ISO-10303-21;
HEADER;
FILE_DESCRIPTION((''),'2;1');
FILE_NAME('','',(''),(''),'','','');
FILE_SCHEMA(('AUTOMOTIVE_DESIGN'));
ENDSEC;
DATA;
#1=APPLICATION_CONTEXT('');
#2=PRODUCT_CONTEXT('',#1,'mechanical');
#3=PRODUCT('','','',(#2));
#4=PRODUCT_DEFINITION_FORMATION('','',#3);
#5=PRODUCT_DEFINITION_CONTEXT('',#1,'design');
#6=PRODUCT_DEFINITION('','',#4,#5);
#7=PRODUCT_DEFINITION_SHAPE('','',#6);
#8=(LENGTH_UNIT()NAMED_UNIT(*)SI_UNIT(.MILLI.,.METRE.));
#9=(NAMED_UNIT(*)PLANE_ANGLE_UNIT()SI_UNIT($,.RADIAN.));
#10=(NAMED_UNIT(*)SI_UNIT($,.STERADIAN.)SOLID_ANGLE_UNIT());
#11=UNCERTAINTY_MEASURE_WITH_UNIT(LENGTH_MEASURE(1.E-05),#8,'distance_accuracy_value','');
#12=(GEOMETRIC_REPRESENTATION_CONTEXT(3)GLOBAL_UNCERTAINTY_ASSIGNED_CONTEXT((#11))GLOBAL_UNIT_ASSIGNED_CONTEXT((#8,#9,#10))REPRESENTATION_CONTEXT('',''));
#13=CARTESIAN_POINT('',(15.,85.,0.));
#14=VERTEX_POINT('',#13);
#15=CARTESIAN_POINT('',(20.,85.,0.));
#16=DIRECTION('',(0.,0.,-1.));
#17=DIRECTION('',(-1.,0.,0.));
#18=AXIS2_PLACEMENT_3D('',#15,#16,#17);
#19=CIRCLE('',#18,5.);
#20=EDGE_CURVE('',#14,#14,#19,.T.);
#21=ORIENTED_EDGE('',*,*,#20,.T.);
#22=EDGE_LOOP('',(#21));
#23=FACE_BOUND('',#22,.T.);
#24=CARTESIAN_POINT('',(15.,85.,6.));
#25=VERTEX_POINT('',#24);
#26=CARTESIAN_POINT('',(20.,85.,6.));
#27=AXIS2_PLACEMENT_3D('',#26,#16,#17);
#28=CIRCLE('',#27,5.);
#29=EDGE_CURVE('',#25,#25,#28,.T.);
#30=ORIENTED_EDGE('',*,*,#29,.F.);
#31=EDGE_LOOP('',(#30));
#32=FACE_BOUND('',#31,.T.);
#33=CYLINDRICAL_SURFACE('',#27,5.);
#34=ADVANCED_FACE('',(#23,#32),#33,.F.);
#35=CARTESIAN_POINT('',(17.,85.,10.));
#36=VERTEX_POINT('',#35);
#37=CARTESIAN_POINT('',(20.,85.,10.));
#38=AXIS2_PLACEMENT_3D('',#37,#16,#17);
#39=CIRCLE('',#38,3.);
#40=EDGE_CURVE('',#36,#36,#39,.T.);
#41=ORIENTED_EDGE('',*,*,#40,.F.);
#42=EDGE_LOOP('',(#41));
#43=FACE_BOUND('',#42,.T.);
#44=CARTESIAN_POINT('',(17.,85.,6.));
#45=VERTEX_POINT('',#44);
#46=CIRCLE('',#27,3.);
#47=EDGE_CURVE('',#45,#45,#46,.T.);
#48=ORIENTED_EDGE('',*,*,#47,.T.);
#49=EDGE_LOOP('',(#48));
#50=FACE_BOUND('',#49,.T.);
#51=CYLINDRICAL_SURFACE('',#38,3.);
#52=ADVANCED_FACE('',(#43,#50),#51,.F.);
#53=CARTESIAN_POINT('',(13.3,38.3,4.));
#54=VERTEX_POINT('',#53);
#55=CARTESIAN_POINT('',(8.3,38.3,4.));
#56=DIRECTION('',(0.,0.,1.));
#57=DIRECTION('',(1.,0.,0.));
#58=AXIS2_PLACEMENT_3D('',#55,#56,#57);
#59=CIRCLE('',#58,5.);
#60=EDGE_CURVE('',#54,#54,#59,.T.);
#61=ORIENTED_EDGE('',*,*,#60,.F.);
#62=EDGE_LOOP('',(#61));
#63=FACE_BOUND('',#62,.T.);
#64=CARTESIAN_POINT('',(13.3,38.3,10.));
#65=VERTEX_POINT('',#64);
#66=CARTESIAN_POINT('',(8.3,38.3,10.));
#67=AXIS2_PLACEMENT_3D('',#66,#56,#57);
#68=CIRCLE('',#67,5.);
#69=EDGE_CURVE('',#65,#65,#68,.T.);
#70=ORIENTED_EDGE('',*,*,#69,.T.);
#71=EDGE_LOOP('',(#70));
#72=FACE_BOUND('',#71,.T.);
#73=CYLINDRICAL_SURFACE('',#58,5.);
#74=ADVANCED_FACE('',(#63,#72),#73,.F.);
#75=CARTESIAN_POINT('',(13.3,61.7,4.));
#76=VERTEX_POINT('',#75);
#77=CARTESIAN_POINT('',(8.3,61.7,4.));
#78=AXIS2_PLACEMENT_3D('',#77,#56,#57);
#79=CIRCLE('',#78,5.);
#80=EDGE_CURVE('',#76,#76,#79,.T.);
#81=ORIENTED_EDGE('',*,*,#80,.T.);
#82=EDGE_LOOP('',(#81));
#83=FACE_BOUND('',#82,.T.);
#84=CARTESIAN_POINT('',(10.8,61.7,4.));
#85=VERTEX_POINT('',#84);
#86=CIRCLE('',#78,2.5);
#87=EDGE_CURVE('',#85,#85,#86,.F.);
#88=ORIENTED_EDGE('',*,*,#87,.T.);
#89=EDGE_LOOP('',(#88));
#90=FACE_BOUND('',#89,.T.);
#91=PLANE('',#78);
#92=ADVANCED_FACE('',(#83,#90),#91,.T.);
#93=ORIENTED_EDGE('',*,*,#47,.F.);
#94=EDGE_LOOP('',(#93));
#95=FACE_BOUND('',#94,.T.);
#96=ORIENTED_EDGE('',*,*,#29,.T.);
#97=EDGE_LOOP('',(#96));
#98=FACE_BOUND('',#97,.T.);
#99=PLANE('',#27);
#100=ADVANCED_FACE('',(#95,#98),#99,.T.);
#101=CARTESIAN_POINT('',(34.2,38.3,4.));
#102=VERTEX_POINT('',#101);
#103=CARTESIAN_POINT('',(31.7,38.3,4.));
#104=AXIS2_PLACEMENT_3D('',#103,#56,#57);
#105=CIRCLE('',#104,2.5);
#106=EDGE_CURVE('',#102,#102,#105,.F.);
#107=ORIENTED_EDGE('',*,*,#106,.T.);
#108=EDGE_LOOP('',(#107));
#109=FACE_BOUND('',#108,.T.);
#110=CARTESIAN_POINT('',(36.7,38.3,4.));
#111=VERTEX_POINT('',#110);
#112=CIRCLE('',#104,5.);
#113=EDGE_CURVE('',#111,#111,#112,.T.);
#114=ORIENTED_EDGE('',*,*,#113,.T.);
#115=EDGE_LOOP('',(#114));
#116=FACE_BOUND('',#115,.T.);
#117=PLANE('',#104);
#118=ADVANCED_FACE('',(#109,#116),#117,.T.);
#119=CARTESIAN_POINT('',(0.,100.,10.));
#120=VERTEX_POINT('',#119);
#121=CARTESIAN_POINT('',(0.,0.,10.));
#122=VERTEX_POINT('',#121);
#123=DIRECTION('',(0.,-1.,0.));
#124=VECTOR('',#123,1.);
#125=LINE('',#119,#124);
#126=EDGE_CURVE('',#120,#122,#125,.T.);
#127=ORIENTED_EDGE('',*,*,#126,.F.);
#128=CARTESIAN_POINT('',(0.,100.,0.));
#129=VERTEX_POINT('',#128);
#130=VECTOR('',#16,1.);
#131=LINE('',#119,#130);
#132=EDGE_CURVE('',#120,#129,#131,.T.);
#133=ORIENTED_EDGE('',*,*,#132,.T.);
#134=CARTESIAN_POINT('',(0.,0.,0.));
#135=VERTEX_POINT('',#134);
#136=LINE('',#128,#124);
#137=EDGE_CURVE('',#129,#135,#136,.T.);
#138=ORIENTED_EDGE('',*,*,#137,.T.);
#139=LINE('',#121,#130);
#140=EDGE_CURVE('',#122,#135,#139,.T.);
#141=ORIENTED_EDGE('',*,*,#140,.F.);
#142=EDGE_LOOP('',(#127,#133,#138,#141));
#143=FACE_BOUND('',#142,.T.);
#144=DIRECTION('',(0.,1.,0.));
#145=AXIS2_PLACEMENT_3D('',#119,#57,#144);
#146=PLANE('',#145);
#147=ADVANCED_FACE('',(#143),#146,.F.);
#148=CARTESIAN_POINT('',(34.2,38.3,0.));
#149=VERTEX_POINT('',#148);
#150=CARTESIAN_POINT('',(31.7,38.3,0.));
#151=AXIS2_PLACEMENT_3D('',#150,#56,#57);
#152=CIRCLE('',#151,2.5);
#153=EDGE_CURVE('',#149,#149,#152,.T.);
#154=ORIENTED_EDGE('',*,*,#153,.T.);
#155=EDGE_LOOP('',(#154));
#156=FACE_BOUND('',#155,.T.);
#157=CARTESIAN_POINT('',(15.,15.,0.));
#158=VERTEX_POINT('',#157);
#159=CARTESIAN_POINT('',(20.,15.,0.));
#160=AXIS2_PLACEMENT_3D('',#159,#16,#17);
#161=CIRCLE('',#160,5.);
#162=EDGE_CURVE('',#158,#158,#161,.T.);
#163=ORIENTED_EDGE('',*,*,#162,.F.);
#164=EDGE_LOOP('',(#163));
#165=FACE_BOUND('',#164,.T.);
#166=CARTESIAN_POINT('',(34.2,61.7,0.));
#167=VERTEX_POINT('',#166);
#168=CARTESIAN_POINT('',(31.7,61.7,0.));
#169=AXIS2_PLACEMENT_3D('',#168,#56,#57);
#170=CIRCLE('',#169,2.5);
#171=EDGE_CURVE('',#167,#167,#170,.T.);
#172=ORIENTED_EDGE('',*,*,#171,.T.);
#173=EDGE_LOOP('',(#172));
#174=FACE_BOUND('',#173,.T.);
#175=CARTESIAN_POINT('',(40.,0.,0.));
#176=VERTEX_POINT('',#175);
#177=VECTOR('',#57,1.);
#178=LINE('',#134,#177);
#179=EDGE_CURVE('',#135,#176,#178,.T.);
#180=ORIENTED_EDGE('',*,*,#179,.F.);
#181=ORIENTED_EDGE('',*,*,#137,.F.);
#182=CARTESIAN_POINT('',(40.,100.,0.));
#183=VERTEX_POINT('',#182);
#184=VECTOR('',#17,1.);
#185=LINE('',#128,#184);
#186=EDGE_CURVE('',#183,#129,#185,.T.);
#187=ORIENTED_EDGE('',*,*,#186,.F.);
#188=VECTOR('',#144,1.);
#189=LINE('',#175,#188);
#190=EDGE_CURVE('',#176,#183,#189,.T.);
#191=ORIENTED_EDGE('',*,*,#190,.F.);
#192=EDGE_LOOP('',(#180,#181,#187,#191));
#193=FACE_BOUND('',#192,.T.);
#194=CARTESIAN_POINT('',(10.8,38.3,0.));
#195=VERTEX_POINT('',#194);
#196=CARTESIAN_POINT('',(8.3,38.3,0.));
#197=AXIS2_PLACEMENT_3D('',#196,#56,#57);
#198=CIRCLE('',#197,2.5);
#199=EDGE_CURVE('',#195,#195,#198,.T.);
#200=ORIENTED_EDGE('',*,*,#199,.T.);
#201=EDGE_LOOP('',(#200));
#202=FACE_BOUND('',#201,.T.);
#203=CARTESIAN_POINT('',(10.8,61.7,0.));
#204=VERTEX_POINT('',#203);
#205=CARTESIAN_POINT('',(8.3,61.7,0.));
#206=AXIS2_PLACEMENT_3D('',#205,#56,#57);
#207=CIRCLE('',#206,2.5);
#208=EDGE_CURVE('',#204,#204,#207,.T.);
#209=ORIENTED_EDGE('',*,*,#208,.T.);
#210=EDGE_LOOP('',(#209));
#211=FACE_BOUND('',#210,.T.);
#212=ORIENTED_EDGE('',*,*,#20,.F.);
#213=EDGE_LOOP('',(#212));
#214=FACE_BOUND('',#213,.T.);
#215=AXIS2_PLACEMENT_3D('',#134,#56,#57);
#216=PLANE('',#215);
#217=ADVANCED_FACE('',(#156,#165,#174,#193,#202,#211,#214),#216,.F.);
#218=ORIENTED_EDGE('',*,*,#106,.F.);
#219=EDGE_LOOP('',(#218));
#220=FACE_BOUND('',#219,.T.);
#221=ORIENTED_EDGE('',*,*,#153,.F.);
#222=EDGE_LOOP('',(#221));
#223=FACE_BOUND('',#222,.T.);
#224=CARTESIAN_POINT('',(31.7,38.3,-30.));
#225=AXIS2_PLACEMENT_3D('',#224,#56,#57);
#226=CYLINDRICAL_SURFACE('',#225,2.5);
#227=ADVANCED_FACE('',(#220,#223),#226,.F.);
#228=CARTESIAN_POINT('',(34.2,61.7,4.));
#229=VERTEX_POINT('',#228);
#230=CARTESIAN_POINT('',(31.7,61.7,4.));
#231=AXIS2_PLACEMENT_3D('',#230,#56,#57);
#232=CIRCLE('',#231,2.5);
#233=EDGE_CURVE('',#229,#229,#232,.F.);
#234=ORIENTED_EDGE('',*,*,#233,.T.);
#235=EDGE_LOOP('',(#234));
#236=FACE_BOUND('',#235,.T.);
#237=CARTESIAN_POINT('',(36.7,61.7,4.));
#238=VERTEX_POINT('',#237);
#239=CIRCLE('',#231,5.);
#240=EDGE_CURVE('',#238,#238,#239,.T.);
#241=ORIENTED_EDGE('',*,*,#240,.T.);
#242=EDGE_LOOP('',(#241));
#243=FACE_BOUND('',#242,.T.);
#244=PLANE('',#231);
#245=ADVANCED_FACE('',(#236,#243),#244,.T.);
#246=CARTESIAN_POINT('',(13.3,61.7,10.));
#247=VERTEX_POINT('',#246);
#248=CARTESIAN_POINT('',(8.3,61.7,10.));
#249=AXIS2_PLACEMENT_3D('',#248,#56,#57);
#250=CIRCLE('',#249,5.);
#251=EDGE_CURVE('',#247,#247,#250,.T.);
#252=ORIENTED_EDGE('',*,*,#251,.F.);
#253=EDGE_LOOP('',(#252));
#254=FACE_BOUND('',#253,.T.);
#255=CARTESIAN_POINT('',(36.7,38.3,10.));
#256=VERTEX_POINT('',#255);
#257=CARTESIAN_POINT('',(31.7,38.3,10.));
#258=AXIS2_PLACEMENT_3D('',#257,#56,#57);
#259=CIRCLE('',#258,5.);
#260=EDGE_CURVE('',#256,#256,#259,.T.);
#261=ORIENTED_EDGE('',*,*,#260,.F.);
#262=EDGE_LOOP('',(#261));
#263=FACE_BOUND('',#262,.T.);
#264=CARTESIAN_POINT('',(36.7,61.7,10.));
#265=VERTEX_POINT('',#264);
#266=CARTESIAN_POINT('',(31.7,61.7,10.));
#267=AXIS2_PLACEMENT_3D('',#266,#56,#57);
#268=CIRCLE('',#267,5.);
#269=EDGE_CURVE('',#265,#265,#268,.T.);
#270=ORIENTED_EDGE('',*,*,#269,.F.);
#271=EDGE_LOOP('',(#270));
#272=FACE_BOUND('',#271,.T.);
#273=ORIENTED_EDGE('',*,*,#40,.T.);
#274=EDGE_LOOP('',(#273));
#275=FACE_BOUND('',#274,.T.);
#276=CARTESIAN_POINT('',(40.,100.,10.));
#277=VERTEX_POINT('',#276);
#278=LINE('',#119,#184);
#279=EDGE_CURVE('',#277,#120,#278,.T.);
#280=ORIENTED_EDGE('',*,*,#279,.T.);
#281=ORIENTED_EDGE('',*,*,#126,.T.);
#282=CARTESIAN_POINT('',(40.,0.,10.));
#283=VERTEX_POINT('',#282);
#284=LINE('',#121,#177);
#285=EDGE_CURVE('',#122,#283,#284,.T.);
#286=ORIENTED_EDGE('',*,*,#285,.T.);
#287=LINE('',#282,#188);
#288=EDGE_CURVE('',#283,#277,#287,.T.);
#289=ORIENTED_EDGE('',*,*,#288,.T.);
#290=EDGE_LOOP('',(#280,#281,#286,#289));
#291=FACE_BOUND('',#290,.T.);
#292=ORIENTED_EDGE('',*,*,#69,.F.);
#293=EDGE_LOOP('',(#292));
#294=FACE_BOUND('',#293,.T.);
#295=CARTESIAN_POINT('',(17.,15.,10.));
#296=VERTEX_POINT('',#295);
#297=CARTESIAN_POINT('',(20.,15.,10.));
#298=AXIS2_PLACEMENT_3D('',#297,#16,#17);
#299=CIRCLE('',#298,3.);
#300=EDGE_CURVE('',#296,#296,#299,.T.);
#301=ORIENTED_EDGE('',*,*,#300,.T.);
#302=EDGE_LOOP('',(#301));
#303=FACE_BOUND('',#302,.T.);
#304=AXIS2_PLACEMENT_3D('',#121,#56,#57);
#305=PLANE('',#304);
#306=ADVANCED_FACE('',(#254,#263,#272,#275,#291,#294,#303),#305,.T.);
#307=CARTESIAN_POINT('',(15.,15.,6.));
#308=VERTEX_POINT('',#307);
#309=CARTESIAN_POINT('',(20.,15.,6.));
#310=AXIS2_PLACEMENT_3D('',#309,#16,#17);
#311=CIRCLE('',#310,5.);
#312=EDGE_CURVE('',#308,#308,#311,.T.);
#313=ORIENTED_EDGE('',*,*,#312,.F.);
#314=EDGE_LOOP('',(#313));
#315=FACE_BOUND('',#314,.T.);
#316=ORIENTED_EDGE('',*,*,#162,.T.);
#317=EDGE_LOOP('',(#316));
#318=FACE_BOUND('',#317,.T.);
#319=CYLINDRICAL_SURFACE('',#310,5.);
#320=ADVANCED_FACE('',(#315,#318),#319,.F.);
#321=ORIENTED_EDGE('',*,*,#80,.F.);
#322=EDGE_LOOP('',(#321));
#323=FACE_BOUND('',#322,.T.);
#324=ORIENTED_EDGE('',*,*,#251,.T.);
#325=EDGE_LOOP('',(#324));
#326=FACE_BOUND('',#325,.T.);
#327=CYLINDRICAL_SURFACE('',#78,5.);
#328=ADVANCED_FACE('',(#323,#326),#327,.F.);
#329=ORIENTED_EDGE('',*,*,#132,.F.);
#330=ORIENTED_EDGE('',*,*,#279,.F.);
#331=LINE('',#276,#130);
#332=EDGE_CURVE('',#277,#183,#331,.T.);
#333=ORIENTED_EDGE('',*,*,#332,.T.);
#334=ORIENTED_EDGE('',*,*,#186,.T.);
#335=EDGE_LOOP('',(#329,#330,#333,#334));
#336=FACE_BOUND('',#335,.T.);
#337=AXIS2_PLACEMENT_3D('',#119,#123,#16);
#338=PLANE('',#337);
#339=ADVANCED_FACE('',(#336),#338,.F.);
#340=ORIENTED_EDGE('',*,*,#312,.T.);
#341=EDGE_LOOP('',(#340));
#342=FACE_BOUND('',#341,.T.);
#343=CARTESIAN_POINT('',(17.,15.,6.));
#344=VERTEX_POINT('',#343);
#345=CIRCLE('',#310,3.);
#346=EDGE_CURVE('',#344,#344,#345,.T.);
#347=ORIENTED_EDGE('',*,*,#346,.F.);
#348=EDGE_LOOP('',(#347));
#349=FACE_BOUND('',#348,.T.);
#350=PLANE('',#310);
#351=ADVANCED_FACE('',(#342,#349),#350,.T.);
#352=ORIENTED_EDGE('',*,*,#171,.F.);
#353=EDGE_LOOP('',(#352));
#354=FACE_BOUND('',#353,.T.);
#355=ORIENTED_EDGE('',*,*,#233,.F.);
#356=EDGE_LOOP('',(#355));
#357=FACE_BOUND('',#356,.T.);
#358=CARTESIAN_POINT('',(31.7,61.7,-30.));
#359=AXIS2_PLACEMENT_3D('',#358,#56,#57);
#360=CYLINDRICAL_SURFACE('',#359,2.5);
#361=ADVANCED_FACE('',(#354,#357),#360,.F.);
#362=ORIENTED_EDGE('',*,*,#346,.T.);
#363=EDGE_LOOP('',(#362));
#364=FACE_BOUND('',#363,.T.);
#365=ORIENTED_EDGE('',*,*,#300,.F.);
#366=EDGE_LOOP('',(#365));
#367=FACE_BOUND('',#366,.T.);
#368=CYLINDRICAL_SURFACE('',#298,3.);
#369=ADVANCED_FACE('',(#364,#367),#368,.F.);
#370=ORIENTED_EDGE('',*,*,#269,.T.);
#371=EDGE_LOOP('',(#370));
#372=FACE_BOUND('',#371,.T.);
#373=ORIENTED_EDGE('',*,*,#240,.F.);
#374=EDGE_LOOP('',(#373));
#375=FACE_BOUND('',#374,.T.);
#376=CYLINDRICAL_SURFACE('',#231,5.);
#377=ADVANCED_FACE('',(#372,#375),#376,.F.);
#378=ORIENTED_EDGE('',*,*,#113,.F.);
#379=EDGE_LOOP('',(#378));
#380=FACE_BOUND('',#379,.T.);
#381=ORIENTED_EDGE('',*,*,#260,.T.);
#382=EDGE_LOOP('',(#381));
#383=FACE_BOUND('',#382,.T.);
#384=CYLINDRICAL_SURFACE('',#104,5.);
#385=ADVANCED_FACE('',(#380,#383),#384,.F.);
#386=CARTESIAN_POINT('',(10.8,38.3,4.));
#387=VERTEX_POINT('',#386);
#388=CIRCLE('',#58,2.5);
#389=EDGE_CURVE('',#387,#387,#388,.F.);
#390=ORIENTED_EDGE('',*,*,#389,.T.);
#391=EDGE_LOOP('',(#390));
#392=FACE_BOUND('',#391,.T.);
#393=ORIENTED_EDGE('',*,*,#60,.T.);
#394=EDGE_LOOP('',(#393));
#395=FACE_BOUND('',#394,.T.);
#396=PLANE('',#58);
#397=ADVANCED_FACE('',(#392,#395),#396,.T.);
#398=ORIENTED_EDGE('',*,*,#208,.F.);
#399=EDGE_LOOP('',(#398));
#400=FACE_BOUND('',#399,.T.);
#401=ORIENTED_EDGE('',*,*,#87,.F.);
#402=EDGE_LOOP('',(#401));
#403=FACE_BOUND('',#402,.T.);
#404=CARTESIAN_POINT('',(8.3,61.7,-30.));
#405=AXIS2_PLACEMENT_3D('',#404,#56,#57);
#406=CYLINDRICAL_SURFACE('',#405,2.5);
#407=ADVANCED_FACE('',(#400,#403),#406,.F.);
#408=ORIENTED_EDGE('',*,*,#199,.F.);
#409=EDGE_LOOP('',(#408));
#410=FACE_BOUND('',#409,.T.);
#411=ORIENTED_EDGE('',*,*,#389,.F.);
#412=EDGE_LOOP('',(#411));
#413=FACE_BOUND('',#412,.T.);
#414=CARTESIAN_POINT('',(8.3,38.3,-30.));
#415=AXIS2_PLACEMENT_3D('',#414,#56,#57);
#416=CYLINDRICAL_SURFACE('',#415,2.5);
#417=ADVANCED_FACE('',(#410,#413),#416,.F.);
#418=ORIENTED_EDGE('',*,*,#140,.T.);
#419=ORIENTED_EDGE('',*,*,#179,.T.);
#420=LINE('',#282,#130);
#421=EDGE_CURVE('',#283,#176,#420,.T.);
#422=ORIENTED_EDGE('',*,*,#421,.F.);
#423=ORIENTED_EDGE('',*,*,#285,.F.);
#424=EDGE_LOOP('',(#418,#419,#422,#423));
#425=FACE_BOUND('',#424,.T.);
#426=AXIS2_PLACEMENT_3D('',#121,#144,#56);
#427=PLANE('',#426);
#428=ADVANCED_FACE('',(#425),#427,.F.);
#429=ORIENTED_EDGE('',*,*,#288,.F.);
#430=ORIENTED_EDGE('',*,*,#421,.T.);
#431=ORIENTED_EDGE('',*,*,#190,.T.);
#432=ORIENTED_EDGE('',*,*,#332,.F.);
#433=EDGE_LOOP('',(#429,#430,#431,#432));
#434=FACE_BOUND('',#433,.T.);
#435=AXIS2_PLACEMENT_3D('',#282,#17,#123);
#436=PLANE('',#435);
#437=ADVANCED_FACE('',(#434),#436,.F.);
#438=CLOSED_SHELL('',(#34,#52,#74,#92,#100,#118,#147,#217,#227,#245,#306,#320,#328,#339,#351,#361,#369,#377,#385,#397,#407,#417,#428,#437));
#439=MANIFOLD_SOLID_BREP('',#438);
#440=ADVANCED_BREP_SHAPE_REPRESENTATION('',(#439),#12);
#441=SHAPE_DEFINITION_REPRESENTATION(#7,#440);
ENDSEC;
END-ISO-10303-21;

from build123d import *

# Parameters (mm, degrees)
SKETCH1_W           = 40
SKETCH1_H           = 100
BOSS_EXTRUDE1_DEPTH = 10
SKETCH3_R           = 2.5
CUT_EXTRUDE1_DEPTH  = 40
SKETCH4_R           = 5
CUT_EXTRUDE2_DEPTH  = 6
SKETCH6_R           = 5
CUT_EXTRUDE3_DEPTH  = 6
SKETCH7_R           = 3
CUT_EXTRUDE4_DEPTH  = 5


with BuildPart() as part:
    # Sketch1 → Boss-Extrude1 (new body)
    with BuildSketch(Plane.XY):
        with Locations((20, 50)):
            Rectangle(SKETCH1_W, SKETCH1_H)
    extrude(amount=BOSS_EXTRUDE1_DEPTH)

    # Sketch3 → Cut-Extrude1 (cut)
    with BuildSketch(Plane.XY.offset(10)):
        with Locations((8.3, 61.7)):
            Circle(SKETCH3_R)
        with Locations((31.7, 61.7)):
            Circle(SKETCH3_R)
        with Locations((31.7, 38.3)):
            Circle(SKETCH3_R)
        with Locations((8.3, 38.3)):
            Circle(SKETCH3_R)
    extrude(amount=-CUT_EXTRUDE1_DEPTH, mode=Mode.SUBTRACT)

    # Sketch4 → Cut-Extrude2 (cut)
    with BuildSketch(Plane.XY.offset(10)):
        with Locations((8.3, 61.7)):
            Circle(SKETCH4_R)
        with Locations((31.7, 61.7)):
            Circle(SKETCH4_R)
        with Locations((31.7, 38.3)):
            Circle(SKETCH4_R)
        with Locations((8.3, 38.3)):
            Circle(SKETCH4_R)
    extrude(amount=-CUT_EXTRUDE2_DEPTH, mode=Mode.SUBTRACT)

    # Sketch6 → Cut-Extrude3 (cut)
    with BuildSketch(Plane(origin=(0, 0, 0), x_dir=(-1, 0, 0), z_dir=(0, 0, -1))):
        with Locations((-20, 85)):
            Circle(SKETCH6_R)
        with Locations((-20, 15)):
            Circle(SKETCH6_R)
    extrude(amount=-CUT_EXTRUDE3_DEPTH, mode=Mode.SUBTRACT)

    # Sketch7 → Cut-Extrude4 (cut, through all)
    with BuildSketch(Plane(origin=(0, 0, 6), x_dir=(-1, 0, 0), z_dir=(0, 0, -1))):
        with Locations((-20, 15)):
            Circle(SKETCH7_R)
        with Locations((-20, 85)):
            Circle(SKETCH7_R)
    extrude(amount=-CUT_EXTRUDE4_DEPTH, mode=Mode.SUBTRACT)


solid = part.part
